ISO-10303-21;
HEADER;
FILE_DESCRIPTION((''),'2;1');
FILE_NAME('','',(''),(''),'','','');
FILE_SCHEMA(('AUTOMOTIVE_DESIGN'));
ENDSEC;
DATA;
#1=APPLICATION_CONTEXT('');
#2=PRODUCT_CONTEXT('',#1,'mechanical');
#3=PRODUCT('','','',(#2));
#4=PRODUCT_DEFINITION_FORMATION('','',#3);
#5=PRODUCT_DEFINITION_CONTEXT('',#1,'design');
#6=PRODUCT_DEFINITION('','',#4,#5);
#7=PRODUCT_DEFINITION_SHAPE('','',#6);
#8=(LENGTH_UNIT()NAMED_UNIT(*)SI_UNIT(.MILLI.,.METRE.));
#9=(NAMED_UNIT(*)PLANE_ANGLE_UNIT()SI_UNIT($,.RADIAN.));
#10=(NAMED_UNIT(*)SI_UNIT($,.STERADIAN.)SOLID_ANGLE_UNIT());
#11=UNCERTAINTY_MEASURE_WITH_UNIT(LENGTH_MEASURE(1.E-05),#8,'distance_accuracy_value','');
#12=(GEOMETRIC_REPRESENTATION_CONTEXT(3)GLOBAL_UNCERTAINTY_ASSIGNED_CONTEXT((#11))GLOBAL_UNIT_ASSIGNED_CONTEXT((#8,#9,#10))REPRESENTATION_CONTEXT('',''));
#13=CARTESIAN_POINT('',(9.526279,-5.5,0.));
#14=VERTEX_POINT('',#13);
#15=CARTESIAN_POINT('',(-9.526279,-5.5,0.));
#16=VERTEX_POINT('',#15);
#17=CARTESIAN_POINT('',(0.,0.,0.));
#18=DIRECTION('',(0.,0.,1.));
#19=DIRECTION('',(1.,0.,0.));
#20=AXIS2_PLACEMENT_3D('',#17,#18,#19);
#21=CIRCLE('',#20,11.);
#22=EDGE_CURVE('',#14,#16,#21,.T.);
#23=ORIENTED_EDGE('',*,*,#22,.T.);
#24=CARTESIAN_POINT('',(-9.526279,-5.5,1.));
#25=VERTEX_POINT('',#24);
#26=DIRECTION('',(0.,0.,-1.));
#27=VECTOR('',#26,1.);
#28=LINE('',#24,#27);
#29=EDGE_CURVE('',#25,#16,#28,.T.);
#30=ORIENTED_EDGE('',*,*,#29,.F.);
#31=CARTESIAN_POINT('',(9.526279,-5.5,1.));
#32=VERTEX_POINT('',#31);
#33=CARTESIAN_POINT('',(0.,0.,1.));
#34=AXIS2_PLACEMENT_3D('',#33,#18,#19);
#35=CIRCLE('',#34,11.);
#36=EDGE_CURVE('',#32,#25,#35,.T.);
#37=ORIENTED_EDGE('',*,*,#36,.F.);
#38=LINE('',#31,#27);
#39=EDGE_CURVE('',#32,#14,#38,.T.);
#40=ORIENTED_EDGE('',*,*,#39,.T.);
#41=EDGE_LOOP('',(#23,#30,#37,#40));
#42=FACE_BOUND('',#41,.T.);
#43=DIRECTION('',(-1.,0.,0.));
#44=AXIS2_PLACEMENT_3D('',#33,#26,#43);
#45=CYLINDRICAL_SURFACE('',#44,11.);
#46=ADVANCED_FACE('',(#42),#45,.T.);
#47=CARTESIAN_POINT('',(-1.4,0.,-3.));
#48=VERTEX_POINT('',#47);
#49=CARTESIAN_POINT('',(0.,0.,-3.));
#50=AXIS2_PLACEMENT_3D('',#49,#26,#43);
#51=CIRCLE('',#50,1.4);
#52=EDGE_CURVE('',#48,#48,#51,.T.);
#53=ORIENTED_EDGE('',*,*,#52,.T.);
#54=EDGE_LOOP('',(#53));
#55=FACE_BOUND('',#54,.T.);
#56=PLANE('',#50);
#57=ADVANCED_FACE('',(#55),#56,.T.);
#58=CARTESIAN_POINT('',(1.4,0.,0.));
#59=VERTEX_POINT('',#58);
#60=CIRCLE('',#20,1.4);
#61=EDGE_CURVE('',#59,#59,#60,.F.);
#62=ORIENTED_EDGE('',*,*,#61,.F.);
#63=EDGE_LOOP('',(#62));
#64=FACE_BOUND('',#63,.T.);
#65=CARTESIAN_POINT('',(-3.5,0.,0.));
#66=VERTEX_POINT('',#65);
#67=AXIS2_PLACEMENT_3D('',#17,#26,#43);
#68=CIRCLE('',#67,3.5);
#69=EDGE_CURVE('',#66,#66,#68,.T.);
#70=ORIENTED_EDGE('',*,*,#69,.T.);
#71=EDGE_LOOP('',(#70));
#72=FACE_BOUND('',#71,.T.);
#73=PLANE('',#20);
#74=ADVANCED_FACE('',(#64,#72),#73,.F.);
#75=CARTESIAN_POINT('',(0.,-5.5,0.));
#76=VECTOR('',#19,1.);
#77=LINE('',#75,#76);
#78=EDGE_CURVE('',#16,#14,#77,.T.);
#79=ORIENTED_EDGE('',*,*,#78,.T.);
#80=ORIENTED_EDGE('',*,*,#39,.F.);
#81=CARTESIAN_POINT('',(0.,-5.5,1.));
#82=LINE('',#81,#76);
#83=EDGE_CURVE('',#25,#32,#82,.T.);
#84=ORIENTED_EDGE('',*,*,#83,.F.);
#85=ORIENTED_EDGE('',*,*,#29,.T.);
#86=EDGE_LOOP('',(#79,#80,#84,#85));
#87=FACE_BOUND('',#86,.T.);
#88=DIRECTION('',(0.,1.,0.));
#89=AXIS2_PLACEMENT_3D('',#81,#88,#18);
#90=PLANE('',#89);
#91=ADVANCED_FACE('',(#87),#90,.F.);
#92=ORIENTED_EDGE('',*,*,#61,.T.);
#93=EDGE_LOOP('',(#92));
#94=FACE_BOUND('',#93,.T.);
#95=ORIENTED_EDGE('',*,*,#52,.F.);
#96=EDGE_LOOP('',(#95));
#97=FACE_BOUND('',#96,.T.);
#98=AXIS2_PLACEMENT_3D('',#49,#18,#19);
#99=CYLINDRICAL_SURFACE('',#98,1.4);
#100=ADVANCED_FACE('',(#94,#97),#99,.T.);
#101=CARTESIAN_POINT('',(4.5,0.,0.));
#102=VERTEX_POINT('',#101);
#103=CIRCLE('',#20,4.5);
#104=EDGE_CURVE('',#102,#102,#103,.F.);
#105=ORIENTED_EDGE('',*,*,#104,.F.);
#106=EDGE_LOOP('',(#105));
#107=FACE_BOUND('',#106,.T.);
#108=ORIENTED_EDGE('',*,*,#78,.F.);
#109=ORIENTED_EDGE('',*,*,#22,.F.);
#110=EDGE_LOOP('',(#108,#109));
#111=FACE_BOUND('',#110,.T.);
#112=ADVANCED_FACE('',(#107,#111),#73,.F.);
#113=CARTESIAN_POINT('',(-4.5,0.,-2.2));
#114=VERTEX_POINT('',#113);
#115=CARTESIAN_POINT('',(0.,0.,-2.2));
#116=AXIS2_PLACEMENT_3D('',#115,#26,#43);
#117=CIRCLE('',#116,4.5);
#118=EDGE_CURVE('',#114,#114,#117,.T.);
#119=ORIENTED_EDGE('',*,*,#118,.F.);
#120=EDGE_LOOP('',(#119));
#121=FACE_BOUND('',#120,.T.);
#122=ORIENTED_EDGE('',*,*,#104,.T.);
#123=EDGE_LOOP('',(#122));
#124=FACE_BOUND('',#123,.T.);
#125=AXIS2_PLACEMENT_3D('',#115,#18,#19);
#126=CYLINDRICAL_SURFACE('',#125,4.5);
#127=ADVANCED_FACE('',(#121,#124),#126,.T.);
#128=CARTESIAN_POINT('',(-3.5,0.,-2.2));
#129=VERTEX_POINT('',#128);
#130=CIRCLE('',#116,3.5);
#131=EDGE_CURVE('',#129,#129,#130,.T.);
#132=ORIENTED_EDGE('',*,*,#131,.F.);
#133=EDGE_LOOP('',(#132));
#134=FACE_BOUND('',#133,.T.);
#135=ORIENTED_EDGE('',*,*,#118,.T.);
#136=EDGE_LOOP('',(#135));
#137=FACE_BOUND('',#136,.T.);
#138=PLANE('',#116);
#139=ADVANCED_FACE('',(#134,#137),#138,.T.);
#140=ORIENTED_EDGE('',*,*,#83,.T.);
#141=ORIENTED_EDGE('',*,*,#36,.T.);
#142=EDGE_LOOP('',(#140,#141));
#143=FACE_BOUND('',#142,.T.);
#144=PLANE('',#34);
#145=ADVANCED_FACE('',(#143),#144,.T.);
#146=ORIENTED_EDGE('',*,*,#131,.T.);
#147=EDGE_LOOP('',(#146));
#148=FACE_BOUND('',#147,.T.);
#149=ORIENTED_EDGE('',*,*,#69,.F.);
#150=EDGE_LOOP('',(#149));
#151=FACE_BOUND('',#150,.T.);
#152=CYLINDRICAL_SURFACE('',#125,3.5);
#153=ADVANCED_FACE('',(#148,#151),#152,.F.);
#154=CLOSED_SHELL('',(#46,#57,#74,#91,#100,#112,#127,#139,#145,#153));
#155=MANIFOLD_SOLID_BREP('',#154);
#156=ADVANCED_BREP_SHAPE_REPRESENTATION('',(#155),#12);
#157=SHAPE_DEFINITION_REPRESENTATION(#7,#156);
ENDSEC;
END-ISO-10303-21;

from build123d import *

# Parameters (mm, degrees)
BOSS_EXTRUDE1_DEPTH = 1
SKETCH3_R           = 4.5
SKETCH3_R_2         = 3.5
BOSS_EXTRUDE2_DEPTH = 2.2
SKETCH4_R           = 1.4
BOSS_EXTRUDE3_DEPTH = 3


with BuildPart() as part:
    # Sketch1 → Boss-Extrude1 (new body)
    with BuildSketch(Plane.XY):
        with BuildLine():
            Line((-9.526279442, -5.5), (9.526279442, -5.5))
            ThreePointArc((9.526279442, -5.5), (0, 11), (-9.526279442, -5.5))
        make_face()
    extrude(amount=BOSS_EXTRUDE1_DEPTH)

    # Sketch3 → Boss-Extrude2 (add)
    with BuildSketch(Plane(origin=(0, 0, 0), x_dir=(-1, 0, 0), z_dir=(0, 0, -1))):
        Circle(SKETCH3_R)
        Circle(SKETCH3_R_2, mode=Mode.SUBTRACT)
    extrude(amount=BOSS_EXTRUDE2_DEPTH)

    # Sketch4 → Boss-Extrude3 (add)
    with BuildSketch(Plane(origin=(0, 0, 0), x_dir=(-1, 0, 0), z_dir=(0, 0, -1))):
        Circle(SKETCH4_R)
    extrude(amount=BOSS_EXTRUDE3_DEPTH)


solid = part.part
